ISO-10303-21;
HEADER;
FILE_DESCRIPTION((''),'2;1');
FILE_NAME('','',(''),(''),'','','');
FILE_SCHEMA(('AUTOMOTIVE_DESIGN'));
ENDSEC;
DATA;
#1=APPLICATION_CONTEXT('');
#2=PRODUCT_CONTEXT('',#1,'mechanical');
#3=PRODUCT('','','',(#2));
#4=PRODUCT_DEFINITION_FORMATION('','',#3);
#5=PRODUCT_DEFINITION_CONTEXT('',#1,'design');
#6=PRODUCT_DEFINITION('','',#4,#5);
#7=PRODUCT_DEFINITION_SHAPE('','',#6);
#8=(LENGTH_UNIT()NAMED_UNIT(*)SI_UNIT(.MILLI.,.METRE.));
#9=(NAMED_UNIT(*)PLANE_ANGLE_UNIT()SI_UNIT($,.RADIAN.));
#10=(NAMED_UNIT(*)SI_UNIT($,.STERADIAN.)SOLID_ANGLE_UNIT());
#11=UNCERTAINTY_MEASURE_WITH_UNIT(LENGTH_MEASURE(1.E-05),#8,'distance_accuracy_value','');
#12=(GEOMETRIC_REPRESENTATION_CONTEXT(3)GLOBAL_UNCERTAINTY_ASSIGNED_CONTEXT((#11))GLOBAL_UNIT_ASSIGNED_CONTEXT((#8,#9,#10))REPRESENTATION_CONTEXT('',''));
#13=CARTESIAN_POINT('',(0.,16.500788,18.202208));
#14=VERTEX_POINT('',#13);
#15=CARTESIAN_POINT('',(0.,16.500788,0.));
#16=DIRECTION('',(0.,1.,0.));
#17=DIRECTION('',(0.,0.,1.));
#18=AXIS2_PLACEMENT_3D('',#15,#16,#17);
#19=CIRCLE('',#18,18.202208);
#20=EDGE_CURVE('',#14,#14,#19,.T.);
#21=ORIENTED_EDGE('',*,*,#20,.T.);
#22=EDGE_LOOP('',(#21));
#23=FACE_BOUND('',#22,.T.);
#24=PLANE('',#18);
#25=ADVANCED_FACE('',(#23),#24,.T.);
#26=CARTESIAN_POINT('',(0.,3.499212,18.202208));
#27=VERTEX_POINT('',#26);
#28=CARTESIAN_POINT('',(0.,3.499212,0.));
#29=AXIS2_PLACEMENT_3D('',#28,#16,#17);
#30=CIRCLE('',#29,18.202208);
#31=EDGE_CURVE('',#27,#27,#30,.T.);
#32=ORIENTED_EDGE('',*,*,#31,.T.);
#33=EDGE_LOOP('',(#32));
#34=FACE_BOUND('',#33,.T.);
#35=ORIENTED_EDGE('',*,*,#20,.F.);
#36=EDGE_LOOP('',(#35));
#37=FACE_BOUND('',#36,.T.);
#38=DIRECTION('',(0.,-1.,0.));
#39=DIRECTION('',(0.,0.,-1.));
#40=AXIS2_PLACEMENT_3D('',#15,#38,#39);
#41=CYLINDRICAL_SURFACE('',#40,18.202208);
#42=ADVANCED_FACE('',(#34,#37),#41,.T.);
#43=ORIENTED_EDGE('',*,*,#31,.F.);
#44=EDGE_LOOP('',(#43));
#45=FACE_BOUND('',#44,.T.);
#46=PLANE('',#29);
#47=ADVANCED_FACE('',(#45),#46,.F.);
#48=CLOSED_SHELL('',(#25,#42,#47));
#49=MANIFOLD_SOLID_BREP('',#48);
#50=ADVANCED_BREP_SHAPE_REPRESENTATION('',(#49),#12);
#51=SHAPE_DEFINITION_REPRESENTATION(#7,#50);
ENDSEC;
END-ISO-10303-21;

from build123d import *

# Parameters (mm, degrees)
SKETCH1_R           = 28
BOSS_EXTRUDE1_DEPTH = 20
SCALE1_SCALE        = 0.650078841


with BuildPart() as part:
    # Sketch1 → Boss-Extrude1 (new body)
    with BuildSketch(Plane(origin=(0, 0, 0), x_dir=(1, 0, 0), z_dir=(0, 1, 0))):
        with Locations(Location((0, 0, 0), (0, 0, 270))):
            Circle(SKETCH1_R)
    extrude(amount=BOSS_EXTRUDE1_DEPTH)


with BuildPart() as part_1:
    # Scale1: scaled about (0, 10, 0)
    add(part.part.scale(SCALE1_SCALE).moved(Location((0, 3.499211586, 0))))


solid = part_1.part
